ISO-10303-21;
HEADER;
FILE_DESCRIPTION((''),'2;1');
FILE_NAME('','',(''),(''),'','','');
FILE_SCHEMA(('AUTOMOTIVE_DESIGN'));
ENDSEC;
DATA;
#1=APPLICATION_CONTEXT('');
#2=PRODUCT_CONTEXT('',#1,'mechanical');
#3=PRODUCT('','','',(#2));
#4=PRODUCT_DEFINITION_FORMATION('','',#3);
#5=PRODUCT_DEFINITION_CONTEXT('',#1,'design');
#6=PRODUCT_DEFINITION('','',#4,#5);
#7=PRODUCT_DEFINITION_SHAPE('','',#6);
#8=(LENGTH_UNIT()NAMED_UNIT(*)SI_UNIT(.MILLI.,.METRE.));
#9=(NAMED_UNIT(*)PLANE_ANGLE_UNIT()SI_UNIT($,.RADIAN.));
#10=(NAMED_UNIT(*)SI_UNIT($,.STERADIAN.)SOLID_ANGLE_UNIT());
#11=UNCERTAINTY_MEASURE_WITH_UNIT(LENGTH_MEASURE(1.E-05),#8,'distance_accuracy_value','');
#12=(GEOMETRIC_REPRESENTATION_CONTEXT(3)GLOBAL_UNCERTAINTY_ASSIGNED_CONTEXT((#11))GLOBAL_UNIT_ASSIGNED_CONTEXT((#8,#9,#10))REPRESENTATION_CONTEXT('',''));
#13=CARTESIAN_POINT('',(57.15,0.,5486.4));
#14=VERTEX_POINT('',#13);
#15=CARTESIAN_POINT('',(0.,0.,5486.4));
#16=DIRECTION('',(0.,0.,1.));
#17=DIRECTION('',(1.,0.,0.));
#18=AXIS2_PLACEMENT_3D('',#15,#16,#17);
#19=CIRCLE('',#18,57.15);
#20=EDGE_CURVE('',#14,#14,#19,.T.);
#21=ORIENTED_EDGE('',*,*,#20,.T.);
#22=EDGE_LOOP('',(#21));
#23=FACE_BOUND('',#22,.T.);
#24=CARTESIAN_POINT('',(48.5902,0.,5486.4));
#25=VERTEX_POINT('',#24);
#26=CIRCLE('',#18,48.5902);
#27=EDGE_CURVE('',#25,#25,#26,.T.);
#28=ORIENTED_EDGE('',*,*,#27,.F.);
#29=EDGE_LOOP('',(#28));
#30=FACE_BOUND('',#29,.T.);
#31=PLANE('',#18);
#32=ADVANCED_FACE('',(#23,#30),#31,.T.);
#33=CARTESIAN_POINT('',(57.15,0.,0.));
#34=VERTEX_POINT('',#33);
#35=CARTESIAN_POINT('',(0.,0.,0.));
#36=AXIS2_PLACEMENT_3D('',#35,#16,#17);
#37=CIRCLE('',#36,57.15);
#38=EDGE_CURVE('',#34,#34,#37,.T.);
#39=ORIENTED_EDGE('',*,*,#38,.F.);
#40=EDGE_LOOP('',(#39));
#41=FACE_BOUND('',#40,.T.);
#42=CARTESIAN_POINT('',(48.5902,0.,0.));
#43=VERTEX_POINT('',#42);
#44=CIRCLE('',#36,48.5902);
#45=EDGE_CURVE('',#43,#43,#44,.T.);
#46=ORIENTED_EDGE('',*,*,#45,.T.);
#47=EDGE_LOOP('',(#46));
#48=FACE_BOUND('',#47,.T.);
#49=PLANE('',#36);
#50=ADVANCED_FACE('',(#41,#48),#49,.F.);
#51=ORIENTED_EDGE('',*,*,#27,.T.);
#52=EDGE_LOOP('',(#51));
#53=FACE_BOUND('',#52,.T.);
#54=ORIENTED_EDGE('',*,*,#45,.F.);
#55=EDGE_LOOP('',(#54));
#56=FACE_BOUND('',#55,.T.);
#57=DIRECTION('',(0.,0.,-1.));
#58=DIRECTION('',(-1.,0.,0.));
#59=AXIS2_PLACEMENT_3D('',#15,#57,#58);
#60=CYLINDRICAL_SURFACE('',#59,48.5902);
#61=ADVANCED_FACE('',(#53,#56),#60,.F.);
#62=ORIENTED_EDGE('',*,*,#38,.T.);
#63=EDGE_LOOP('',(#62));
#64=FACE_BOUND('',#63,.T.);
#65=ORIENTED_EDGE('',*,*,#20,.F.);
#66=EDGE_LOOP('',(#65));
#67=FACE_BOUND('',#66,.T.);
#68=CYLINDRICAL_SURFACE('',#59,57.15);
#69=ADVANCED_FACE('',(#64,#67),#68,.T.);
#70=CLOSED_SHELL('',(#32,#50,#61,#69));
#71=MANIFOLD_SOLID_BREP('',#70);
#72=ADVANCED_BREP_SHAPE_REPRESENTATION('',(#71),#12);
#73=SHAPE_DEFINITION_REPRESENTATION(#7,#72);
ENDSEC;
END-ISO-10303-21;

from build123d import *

# Parameters (mm, degrees)
PIPESKETCH_R    = 57.15
PIPESKETCH_R_2  = 48.5902
EXTRUSION_DEPTH = 5486.4


with BuildPart() as part:
    # PipeSketch → Extrusion (new body)
    with BuildSketch(Plane.XY):
        Circle(PIPESKETCH_R)
        Circle(PIPESKETCH_R_2, mode=Mode.SUBTRACT)
    extrude(amount=EXTRUSION_DEPTH)


solid = part.part
